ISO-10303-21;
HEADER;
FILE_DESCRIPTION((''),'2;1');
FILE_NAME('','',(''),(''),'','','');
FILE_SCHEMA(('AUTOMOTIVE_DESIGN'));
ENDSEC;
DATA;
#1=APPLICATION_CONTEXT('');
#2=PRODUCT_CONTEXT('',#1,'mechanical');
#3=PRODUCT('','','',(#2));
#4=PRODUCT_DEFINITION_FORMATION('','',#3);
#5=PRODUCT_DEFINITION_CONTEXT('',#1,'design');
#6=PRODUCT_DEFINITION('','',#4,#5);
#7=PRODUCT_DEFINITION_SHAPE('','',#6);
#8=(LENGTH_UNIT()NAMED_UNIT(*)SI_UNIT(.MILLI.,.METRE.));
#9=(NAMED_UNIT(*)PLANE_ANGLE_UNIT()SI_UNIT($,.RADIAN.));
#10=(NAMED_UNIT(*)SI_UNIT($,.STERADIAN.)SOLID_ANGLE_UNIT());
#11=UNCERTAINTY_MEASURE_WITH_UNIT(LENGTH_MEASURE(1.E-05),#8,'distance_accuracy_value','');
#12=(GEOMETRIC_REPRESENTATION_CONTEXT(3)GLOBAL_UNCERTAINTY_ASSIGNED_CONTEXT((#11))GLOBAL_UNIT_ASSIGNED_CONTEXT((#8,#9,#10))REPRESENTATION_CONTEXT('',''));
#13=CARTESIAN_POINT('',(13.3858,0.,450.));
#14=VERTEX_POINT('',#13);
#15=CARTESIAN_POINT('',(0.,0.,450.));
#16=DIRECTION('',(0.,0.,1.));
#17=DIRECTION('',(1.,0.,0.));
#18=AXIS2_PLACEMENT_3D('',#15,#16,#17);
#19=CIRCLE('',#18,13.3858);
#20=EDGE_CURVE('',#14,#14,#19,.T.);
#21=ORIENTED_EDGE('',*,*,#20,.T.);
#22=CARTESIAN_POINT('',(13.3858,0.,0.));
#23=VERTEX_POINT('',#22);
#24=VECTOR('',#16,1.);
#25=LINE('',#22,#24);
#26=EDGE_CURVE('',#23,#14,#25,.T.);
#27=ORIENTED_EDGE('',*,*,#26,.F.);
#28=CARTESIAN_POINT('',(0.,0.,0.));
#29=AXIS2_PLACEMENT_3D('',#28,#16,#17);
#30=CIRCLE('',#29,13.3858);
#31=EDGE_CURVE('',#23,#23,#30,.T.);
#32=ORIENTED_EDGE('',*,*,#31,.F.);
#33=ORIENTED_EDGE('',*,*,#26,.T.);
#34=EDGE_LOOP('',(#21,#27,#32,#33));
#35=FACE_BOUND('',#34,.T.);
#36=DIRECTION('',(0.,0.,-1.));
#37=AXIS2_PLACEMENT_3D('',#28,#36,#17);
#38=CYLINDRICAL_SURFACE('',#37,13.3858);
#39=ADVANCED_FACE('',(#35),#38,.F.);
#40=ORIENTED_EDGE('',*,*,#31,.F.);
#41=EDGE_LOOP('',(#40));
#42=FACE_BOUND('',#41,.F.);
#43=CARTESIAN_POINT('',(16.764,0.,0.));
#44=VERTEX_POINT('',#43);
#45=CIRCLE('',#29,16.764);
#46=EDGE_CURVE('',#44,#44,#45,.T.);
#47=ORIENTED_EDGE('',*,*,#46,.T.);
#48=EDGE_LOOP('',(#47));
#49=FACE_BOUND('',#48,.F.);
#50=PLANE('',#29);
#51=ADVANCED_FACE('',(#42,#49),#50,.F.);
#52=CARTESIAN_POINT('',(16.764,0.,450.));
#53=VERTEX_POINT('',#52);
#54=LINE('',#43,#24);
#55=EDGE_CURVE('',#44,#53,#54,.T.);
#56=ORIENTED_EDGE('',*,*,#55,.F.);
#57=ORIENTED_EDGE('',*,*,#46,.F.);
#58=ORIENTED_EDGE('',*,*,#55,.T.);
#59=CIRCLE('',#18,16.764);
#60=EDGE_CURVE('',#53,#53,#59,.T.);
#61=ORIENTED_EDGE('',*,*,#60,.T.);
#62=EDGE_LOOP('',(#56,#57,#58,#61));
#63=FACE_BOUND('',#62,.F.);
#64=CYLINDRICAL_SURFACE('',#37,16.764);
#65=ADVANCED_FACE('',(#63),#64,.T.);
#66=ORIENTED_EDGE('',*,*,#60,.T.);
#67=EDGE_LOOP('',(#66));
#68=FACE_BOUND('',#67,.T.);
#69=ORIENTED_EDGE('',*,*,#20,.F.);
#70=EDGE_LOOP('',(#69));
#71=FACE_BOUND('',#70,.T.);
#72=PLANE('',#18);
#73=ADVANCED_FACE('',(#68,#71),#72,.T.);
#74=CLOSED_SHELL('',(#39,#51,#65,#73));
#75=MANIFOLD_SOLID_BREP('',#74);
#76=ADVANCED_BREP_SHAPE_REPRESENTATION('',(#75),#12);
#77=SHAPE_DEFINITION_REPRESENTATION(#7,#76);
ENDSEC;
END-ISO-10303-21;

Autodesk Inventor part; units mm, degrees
ref_plane "YZ Plane" through (0, 0, 0) normal (1, 0, 0) x (0, 1, 0)
ref_plane "Start plane" through (0, 0, 0) normal (0, 0, 1) x (1, 0, 0)
ref_plane "End plane" through (0, 0, 450) normal (0, 0, 1) x (1, 0, 0)
sketch "Sketch" plane through (0, 0, 0) normal (0, 0, 1) x (1, 0, 0)
  circle A0 centre (0, 0) radius 13.3858
  circle A1 centre (0, 0) radius 16.764
  dimension "d0" = 33.528
  dimension "d1" = 3.3782
extrude "Body" add sketch "Sketch" along normal up to surface (450 mm away) from surface at 0
sketch "Sketch3" plane through (0, 0, 0) normal (0, 0, 1) x (1, 0, 0)
  line L0 (0, 0) -> (10, 0)
ref_plane "Work Plane3" through (0, 0, 0) normal (0, -1, 0) x (1, 0, 0)
sketch "Sketch4" plane through (0, 0, 0) normal (0, -1, 0) x (1, 0, 0)
  line L0 (-2, 0) -> (12, 0) projected
  line L1 (-2, 450) -> (12, 450) projected
  dimension "d7" = 450
equation "\"d0\" = G_H"
equation "\"d1\" = G_T"
equation "\"d2\" = G_L"
equation "\"G_H\" = 33.528"
equation "\"G_T\" = 3.3782"
equation "\"G_L\" = d7"
equation "\"G_OFFSET_START\" = 0"
equation "\"G_OFFSET_END\" = 0"
equation "\"d5\" = G_OFFSET_END + B_L"
equation "\"B_L\" = 450"
properties part number "ANSI - 1 x 0.133 - 17.717" material "Steel, Mild"
